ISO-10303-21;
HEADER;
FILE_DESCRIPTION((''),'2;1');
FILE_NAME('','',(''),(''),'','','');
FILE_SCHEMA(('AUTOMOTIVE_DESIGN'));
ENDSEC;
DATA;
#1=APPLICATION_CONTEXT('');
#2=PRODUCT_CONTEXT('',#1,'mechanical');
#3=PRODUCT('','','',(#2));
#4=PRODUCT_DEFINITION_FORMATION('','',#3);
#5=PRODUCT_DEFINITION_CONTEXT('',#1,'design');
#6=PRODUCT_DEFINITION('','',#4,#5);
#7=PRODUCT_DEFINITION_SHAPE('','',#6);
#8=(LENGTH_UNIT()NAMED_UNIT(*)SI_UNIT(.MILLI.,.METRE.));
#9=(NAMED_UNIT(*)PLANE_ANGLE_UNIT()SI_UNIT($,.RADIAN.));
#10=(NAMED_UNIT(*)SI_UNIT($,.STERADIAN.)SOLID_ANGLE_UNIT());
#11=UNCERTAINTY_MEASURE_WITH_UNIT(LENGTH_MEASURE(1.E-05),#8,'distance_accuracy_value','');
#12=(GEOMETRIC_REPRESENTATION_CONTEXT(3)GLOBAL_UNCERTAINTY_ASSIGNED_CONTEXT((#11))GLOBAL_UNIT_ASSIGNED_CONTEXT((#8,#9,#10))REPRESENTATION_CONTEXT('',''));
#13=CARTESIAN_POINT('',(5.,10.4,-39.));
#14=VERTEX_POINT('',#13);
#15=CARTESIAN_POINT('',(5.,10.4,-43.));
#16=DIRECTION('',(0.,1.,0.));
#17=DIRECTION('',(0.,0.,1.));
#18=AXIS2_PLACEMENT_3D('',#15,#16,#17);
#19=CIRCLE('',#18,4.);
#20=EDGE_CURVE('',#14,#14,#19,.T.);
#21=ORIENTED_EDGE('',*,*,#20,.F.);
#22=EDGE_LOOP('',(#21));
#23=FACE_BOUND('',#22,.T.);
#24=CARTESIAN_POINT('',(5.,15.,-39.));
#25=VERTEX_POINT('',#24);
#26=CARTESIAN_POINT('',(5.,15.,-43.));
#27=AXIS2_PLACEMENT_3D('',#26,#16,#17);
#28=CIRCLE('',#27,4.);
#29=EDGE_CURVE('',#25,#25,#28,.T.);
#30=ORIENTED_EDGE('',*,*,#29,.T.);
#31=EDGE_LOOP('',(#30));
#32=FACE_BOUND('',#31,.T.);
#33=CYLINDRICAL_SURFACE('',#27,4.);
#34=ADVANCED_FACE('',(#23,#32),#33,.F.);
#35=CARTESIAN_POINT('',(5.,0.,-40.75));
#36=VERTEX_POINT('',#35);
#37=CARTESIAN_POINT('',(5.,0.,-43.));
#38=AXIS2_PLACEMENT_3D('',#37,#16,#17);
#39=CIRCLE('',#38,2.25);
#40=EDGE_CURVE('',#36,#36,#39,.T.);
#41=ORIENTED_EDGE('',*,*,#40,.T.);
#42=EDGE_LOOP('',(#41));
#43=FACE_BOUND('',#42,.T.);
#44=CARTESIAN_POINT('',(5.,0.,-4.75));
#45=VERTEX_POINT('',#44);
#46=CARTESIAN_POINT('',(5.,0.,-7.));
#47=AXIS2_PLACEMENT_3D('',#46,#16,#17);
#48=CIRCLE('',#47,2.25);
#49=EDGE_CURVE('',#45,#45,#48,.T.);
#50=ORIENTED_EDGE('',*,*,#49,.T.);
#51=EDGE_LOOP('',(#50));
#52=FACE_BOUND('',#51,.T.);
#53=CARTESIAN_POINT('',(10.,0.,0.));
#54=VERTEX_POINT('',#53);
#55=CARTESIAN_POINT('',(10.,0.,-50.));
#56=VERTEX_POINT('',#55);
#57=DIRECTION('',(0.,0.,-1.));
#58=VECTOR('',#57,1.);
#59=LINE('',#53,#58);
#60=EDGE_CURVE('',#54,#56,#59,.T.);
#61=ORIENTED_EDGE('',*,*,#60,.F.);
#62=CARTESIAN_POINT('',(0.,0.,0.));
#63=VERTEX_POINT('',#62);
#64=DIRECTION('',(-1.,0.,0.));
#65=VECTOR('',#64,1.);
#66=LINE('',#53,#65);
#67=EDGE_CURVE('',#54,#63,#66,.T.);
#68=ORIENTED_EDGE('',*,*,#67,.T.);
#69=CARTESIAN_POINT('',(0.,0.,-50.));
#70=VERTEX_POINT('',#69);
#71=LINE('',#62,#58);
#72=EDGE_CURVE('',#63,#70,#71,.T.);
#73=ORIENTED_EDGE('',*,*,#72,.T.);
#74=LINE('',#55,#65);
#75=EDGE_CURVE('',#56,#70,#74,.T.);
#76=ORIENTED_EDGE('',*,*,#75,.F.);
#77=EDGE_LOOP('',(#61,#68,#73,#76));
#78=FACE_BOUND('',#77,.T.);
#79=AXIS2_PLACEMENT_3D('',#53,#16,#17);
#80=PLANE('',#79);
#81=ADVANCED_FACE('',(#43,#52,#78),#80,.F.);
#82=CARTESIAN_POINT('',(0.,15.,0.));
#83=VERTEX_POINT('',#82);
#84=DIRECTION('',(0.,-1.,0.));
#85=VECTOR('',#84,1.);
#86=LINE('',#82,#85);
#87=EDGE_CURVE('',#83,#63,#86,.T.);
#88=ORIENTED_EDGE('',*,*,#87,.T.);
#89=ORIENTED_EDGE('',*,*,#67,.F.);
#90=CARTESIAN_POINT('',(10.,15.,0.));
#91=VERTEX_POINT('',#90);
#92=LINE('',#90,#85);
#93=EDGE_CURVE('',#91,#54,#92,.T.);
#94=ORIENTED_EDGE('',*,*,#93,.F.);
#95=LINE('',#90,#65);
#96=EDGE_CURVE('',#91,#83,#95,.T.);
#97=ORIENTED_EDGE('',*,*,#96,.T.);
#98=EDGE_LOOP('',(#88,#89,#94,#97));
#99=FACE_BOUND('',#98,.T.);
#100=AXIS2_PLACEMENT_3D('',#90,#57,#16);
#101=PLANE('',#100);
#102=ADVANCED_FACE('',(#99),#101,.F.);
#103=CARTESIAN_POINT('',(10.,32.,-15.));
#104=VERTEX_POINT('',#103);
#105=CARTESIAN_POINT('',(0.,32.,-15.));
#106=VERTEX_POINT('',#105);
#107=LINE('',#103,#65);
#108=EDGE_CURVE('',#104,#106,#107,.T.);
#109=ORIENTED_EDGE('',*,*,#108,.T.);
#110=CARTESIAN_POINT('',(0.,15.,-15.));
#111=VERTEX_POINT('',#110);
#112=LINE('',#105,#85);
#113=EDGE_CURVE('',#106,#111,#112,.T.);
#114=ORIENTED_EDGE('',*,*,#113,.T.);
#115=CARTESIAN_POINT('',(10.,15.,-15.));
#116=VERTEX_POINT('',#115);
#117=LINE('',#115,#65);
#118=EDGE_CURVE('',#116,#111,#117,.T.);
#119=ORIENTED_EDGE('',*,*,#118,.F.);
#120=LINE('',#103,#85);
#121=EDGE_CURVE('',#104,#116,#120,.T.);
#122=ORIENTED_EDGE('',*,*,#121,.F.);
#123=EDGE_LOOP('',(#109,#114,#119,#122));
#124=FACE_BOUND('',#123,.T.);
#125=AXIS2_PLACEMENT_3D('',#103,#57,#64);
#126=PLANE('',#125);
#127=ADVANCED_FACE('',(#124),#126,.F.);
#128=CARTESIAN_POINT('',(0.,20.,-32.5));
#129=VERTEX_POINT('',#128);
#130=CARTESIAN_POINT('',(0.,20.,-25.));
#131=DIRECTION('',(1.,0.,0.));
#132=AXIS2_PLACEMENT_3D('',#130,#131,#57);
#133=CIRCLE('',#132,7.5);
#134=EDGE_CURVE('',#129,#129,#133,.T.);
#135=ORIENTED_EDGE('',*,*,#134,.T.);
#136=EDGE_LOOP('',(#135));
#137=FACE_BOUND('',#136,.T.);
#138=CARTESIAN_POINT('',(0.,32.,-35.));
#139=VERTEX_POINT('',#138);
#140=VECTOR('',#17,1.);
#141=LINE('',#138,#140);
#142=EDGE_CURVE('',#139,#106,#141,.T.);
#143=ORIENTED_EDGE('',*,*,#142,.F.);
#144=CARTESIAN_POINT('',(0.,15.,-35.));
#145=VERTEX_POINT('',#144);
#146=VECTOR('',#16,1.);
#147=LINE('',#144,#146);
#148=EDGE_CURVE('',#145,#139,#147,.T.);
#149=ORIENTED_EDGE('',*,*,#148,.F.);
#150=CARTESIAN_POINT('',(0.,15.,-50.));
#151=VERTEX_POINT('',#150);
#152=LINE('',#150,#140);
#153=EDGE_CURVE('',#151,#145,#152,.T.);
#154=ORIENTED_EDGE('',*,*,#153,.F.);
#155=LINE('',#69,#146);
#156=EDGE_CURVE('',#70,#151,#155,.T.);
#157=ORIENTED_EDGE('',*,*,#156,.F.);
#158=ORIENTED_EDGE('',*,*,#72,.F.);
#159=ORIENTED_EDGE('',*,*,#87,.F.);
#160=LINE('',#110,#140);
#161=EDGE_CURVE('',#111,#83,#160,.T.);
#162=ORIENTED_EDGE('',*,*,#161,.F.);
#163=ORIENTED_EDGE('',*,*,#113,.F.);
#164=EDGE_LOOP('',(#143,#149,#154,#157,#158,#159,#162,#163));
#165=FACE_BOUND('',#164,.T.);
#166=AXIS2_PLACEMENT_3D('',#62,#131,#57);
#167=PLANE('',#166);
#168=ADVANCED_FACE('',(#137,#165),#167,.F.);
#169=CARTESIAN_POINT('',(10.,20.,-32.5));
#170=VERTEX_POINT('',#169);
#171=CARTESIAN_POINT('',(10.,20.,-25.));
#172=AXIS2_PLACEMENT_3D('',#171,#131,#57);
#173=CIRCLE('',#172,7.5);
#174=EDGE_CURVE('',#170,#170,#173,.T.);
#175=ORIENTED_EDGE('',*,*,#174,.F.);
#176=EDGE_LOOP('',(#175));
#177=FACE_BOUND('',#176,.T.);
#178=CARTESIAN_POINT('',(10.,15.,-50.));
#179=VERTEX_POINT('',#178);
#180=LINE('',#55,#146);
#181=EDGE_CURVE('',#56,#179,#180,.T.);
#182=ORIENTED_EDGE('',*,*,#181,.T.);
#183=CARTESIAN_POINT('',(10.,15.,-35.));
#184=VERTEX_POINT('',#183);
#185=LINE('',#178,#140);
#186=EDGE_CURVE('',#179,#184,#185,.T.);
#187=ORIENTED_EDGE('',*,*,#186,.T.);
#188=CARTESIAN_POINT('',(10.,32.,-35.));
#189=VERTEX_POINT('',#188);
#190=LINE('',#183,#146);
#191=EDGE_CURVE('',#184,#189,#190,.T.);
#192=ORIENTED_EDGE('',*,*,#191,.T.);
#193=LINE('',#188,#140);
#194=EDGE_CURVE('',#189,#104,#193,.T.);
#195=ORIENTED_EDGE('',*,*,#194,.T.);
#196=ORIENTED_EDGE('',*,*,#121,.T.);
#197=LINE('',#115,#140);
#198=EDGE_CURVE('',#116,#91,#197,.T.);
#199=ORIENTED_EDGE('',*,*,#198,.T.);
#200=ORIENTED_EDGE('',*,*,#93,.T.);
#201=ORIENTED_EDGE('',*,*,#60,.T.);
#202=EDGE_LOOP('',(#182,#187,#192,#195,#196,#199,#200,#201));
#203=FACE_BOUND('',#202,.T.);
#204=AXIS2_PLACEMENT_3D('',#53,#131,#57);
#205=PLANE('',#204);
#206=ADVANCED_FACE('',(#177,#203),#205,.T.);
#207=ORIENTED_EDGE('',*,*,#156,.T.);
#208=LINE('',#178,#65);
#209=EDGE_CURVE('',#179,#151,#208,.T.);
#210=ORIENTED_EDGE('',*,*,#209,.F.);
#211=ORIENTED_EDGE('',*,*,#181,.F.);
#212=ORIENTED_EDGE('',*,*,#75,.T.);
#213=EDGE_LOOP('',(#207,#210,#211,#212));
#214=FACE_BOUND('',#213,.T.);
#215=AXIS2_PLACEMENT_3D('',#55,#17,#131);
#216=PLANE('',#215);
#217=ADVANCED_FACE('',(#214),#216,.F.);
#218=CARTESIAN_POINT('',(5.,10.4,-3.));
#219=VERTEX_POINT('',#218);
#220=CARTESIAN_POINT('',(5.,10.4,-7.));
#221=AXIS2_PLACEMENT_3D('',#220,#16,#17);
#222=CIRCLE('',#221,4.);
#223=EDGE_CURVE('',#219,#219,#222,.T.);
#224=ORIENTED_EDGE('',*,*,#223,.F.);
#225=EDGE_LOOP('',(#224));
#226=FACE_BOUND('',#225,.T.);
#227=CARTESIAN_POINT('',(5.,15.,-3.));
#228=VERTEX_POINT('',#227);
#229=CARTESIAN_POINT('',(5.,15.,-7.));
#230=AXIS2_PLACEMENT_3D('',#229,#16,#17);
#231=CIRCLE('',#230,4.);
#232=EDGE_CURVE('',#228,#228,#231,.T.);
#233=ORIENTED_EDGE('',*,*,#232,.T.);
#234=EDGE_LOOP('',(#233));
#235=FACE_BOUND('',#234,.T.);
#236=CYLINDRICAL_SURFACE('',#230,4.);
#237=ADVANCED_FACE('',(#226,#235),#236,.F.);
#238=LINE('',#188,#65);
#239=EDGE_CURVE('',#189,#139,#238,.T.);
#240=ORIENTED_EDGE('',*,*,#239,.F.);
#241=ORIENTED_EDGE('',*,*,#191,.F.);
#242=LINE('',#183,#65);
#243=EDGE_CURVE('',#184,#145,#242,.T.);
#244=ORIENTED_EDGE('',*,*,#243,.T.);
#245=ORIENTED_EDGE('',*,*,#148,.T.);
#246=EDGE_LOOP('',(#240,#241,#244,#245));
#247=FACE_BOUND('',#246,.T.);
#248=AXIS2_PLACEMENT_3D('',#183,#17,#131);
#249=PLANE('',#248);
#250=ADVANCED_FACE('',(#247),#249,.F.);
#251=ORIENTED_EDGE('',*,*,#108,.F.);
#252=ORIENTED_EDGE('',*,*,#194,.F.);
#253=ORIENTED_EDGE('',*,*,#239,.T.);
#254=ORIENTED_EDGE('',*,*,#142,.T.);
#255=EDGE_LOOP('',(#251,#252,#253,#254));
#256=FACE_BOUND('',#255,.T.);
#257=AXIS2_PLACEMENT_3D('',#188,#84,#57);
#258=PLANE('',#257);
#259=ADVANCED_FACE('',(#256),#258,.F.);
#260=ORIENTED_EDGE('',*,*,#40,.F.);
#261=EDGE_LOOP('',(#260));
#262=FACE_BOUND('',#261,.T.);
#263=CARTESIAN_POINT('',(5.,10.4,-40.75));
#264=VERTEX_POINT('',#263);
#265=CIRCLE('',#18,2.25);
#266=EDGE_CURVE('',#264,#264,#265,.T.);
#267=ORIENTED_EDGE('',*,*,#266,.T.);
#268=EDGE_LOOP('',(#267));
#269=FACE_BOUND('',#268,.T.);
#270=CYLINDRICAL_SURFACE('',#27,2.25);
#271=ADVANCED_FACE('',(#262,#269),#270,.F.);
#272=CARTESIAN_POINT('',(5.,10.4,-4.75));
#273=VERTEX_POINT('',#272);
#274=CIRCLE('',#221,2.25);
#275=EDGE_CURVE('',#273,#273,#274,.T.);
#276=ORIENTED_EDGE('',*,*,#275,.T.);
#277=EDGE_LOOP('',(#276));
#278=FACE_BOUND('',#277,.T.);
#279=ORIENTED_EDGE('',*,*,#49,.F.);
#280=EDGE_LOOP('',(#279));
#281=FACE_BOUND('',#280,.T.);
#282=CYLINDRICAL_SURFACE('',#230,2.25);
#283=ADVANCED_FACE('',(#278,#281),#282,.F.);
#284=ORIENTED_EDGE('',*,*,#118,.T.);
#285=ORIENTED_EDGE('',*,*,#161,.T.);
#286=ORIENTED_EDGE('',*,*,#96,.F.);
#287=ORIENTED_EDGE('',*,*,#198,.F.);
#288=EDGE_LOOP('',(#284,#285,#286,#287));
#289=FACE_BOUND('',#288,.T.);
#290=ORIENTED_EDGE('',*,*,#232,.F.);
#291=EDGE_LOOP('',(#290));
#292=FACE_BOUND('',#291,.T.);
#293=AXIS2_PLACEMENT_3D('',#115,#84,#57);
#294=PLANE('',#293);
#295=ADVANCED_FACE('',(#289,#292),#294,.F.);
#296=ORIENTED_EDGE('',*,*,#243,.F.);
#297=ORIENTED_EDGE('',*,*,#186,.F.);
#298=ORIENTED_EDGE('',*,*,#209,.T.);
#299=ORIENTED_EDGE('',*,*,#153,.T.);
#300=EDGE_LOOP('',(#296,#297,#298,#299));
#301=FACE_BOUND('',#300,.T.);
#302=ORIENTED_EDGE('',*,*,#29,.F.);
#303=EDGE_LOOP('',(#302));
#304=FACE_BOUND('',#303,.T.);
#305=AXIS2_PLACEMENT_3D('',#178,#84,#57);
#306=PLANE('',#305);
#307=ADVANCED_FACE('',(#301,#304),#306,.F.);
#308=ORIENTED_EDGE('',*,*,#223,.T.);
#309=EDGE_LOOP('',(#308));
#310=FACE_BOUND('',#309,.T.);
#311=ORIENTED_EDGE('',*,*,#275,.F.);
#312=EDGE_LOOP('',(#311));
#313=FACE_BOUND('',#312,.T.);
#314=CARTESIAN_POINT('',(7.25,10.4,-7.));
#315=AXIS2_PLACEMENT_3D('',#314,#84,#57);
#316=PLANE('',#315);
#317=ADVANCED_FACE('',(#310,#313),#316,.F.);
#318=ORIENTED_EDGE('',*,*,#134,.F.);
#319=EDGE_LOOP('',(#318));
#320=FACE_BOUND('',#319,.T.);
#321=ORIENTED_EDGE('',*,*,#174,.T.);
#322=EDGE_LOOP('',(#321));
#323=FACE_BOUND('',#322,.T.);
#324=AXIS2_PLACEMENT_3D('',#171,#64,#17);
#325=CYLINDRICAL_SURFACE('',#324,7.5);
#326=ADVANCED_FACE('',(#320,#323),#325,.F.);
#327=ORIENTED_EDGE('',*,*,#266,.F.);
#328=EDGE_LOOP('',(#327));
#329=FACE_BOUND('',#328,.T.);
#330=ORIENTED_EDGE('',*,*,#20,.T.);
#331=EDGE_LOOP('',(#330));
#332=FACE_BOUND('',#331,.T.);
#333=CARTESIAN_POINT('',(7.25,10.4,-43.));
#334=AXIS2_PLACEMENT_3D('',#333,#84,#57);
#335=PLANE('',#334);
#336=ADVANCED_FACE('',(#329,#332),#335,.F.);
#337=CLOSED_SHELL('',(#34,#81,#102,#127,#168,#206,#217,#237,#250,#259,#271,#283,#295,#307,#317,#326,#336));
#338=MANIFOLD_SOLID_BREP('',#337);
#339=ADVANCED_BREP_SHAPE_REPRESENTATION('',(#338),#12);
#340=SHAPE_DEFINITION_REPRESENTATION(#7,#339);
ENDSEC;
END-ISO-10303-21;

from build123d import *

# Parameters (mm, degrees)
SKETCH_1_R                   = 7.5
EXTRUDE_1_DEPTH              = 10
HOLE_WIZARD_M4_1_D           = 4.5
HOLE_WIZARD_M4_1_CBORE_D     = 8
HOLE_WIZARD_M4_1_CBORE_DEPTH = 4.6


with BuildPart() as part:
    # 草图1 → 凸台-拉伸1 (new body)
    with BuildSketch(Plane(origin=(0, 0, 0), x_dir=(0, 0, -1), z_dir=(1, 0, 0))):
        Polygon((0, 0), (50, 0), (50, 15), (35, 15), (35, 32), (15, 32), (15, 15), (0, 15), align=None)
        with Locations((25, 20)):
            Circle(SKETCH_1_R, mode=Mode.SUBTRACT)
    extrude(amount=EXTRUDE_1_DEPTH)

    # M4 六角圆柱头螺钉的柱形沉头孔1 (through all)
    with Locations(Plane(origin=(5, 15, -43), x_dir=(0, 0, 1), z_dir=(0, 1, 0))):
        with Locations((0, 0), (36, 0)):
            CounterBoreHole(HOLE_WIZARD_M4_1_D / 2, HOLE_WIZARD_M4_1_CBORE_D / 2, HOLE_WIZARD_M4_1_CBORE_DEPTH)


solid = part.part
